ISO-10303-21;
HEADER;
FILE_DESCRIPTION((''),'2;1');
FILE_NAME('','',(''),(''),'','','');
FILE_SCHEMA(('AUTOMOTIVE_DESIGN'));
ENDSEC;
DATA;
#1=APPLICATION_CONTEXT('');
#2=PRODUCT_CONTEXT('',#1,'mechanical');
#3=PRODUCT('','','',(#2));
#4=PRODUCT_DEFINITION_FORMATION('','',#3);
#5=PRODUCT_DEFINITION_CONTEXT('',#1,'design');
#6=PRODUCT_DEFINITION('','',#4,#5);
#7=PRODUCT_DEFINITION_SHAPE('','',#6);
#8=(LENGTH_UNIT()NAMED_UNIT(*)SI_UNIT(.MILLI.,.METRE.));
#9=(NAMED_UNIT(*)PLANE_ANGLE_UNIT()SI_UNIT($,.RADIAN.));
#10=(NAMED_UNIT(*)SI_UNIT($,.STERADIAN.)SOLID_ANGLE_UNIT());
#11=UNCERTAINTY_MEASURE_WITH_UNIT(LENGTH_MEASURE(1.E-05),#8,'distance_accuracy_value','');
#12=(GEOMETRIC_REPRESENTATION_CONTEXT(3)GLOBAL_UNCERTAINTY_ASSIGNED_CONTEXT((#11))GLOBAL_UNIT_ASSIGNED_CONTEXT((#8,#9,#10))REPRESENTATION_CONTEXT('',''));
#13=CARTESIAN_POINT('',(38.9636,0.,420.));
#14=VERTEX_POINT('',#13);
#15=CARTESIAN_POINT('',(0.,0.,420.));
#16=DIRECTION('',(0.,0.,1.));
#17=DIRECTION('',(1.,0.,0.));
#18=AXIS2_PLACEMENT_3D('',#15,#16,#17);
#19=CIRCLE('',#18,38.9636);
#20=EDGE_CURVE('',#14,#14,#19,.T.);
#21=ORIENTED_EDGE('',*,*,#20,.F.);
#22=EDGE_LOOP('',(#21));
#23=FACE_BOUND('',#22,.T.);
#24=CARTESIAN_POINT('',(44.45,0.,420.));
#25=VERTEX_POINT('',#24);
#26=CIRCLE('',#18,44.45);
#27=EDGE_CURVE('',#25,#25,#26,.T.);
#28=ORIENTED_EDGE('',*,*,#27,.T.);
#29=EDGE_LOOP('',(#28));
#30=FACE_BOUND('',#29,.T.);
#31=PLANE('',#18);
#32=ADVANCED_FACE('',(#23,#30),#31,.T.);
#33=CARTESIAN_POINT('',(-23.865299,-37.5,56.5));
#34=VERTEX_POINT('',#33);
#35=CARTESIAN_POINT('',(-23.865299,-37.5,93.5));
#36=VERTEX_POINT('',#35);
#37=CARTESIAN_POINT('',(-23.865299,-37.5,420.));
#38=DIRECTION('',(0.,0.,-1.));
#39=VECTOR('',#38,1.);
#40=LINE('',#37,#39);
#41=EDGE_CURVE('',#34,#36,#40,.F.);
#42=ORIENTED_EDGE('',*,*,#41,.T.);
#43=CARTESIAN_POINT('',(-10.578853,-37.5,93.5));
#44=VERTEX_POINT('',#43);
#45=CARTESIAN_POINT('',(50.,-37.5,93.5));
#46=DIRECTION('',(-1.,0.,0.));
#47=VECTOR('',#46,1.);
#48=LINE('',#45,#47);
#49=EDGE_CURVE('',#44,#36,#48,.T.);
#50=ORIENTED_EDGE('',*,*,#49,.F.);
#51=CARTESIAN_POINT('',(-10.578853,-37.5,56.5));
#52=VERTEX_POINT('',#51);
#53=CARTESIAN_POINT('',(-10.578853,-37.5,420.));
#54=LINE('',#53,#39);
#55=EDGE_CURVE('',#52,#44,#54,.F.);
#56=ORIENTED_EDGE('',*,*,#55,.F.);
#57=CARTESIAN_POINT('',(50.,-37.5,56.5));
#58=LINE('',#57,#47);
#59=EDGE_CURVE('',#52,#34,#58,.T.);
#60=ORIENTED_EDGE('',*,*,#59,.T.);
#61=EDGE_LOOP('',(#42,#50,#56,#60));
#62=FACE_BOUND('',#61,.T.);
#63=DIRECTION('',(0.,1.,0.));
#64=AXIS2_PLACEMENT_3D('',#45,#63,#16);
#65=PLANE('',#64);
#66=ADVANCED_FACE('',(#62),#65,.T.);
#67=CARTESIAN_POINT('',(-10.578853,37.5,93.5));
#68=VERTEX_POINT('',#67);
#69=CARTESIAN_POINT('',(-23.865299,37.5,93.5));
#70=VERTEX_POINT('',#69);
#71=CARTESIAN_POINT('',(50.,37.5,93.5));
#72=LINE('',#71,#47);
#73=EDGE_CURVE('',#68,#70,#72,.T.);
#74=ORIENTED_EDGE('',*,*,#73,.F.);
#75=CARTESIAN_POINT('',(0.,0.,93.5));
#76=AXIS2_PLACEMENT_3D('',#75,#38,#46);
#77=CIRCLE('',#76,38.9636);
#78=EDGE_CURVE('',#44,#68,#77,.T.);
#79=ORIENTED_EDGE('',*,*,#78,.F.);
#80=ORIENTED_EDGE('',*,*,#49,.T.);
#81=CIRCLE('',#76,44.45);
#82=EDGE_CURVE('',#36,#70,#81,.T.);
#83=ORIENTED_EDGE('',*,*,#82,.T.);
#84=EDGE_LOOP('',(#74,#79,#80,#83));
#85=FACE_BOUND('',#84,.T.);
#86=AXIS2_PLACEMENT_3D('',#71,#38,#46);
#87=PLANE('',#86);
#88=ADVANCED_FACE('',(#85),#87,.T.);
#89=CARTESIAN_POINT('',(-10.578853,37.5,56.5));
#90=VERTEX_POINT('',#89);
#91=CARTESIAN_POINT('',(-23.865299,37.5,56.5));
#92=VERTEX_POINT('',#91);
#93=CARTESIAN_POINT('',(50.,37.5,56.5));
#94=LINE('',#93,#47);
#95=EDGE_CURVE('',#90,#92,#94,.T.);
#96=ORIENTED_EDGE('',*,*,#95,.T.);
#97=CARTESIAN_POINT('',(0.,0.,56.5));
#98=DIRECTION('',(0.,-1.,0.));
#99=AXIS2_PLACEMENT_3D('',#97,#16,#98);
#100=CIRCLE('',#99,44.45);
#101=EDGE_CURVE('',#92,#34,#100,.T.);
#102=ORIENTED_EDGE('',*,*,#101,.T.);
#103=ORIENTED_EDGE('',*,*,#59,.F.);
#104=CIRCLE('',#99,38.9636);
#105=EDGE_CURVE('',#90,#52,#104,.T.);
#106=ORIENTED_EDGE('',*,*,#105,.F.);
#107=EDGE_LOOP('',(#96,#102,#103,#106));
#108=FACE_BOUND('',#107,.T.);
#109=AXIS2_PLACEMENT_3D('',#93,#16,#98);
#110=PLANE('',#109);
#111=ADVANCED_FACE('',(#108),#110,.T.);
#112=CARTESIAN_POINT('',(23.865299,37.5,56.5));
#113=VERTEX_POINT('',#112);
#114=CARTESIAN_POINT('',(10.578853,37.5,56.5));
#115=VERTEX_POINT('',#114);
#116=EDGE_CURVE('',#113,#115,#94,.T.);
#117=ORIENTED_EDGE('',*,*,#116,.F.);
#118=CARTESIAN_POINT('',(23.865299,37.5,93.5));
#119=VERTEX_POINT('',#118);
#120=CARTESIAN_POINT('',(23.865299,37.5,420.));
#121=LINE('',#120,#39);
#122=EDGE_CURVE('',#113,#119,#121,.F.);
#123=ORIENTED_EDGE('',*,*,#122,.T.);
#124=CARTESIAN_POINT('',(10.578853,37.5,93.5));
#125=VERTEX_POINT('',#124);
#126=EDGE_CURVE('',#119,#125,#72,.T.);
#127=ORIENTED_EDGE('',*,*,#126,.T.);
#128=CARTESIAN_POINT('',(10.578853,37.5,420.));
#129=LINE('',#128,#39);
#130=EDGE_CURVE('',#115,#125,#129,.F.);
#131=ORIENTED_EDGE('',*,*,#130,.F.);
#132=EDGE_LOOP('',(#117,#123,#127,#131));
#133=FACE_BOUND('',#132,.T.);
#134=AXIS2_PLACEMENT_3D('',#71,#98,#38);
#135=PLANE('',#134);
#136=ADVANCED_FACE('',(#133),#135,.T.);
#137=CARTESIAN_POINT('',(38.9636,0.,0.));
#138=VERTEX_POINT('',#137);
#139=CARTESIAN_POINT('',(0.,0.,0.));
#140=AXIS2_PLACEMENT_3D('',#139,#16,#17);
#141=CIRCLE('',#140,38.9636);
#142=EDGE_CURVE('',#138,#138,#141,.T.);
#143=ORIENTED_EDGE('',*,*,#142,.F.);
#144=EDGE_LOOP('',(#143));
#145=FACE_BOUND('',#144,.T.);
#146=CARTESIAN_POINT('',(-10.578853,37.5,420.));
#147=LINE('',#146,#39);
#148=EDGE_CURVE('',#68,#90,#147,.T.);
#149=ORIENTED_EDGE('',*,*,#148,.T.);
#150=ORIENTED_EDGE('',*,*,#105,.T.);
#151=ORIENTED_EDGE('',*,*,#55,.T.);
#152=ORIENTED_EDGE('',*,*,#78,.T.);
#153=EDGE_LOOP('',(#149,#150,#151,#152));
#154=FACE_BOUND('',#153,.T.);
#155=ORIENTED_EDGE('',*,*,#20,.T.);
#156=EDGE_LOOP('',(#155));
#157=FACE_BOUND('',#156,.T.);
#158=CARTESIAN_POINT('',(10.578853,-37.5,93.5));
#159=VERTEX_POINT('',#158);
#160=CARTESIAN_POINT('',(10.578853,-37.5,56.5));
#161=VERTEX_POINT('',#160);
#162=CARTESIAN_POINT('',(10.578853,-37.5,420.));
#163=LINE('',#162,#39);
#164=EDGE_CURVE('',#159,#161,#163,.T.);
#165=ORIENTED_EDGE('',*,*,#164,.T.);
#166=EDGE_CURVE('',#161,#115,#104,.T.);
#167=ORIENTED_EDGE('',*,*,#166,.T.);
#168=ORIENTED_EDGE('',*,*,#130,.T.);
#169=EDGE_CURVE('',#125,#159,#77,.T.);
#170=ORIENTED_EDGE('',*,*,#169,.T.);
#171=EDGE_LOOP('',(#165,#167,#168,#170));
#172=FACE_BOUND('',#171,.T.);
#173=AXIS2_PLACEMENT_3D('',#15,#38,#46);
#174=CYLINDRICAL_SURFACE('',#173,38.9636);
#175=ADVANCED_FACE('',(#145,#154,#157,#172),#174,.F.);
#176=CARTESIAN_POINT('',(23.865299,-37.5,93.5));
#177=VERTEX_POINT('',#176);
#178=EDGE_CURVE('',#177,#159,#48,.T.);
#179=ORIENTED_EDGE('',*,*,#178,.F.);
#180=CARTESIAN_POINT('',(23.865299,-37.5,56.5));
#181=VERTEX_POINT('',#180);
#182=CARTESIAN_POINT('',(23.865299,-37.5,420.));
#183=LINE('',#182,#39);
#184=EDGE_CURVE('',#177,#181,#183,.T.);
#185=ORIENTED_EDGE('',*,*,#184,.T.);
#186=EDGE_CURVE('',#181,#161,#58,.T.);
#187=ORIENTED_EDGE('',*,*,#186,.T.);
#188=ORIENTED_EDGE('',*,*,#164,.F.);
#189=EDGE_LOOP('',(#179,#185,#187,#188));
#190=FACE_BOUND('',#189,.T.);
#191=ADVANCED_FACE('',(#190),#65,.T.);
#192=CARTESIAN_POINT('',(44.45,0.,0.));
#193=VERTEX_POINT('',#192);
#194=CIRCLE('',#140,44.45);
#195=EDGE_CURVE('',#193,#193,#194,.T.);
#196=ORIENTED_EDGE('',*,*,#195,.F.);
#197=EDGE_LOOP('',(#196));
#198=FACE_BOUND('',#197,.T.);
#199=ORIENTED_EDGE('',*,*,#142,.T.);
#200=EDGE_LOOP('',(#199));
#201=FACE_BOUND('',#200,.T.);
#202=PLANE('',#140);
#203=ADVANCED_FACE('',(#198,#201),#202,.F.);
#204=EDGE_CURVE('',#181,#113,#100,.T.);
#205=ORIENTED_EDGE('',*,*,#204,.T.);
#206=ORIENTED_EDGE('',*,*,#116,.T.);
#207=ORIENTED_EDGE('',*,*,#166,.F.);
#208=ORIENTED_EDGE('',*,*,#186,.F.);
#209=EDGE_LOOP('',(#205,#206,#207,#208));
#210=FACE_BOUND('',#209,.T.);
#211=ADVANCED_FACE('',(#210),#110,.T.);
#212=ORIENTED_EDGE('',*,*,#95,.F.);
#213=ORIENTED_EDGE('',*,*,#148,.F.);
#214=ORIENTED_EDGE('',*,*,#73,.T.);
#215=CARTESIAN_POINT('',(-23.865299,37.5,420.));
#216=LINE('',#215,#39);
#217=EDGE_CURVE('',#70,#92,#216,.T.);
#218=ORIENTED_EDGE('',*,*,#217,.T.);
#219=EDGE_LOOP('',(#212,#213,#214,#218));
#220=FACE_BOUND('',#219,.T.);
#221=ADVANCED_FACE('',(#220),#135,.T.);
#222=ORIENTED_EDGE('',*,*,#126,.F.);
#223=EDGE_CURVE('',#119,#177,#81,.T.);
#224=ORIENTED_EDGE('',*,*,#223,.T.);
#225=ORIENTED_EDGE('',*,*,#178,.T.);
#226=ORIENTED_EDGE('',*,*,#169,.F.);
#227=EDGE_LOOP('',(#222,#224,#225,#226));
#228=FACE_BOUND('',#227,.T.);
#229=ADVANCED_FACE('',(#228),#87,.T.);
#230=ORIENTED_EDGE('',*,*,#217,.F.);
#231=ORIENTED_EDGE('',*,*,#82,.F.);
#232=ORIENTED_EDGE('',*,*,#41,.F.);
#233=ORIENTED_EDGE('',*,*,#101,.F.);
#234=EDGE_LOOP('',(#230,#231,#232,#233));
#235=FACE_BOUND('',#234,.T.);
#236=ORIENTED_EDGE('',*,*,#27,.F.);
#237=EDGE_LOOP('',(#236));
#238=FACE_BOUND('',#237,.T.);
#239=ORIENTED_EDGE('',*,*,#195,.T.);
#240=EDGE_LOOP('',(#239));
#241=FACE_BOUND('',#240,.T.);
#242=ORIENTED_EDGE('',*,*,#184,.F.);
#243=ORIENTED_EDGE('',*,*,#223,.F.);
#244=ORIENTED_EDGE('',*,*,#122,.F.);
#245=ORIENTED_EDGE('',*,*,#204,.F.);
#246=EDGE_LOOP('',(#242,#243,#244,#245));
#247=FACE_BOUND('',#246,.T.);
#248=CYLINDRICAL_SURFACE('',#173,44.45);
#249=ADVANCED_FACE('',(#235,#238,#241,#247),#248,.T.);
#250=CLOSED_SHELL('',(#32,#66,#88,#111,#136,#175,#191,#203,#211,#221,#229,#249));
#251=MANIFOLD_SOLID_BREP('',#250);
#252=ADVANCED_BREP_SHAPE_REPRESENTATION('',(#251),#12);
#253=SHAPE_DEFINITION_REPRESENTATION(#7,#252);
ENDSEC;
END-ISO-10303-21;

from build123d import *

# Parameters (mm, degrees)
SKETCH1_R               = 44.45
SKETCH1_R_2             = 38.9636
BOSS_EXTRUDE1_DEPTH     = 420
CUT_EXTRUDE1_DEPTH      = 50
CUT_EXTRUDE1_DEPTH_BACK = 50
SKETCH3_W               = 37
SKETCH3_H               = 75


with BuildPart() as part:
    # Sketch1 → Boss-Extrude1 (new body)
    with BuildSketch(Plane.XY):
        Circle(SKETCH1_R)
        Circle(SKETCH1_R_2, mode=Mode.SUBTRACT)
    extrude(amount=BOSS_EXTRUDE1_DEPTH)

    # Sketch3 → Cut-Extrude1 (cut, two sides: drawn at the far end of the back side and taken through both)
    with BuildSketch(Plane(origin=(0, 0, 0), x_dir=(0, 0, -1), z_dir=(1, 0, 0)).offset(-CUT_EXTRUDE1_DEPTH_BACK)):
        with Locations((-75, 0)):
            Rectangle(SKETCH3_W, SKETCH3_H)
    extrude(amount=CUT_EXTRUDE1_DEPTH + CUT_EXTRUDE1_DEPTH_BACK, mode=Mode.SUBTRACT)


solid = part.part
